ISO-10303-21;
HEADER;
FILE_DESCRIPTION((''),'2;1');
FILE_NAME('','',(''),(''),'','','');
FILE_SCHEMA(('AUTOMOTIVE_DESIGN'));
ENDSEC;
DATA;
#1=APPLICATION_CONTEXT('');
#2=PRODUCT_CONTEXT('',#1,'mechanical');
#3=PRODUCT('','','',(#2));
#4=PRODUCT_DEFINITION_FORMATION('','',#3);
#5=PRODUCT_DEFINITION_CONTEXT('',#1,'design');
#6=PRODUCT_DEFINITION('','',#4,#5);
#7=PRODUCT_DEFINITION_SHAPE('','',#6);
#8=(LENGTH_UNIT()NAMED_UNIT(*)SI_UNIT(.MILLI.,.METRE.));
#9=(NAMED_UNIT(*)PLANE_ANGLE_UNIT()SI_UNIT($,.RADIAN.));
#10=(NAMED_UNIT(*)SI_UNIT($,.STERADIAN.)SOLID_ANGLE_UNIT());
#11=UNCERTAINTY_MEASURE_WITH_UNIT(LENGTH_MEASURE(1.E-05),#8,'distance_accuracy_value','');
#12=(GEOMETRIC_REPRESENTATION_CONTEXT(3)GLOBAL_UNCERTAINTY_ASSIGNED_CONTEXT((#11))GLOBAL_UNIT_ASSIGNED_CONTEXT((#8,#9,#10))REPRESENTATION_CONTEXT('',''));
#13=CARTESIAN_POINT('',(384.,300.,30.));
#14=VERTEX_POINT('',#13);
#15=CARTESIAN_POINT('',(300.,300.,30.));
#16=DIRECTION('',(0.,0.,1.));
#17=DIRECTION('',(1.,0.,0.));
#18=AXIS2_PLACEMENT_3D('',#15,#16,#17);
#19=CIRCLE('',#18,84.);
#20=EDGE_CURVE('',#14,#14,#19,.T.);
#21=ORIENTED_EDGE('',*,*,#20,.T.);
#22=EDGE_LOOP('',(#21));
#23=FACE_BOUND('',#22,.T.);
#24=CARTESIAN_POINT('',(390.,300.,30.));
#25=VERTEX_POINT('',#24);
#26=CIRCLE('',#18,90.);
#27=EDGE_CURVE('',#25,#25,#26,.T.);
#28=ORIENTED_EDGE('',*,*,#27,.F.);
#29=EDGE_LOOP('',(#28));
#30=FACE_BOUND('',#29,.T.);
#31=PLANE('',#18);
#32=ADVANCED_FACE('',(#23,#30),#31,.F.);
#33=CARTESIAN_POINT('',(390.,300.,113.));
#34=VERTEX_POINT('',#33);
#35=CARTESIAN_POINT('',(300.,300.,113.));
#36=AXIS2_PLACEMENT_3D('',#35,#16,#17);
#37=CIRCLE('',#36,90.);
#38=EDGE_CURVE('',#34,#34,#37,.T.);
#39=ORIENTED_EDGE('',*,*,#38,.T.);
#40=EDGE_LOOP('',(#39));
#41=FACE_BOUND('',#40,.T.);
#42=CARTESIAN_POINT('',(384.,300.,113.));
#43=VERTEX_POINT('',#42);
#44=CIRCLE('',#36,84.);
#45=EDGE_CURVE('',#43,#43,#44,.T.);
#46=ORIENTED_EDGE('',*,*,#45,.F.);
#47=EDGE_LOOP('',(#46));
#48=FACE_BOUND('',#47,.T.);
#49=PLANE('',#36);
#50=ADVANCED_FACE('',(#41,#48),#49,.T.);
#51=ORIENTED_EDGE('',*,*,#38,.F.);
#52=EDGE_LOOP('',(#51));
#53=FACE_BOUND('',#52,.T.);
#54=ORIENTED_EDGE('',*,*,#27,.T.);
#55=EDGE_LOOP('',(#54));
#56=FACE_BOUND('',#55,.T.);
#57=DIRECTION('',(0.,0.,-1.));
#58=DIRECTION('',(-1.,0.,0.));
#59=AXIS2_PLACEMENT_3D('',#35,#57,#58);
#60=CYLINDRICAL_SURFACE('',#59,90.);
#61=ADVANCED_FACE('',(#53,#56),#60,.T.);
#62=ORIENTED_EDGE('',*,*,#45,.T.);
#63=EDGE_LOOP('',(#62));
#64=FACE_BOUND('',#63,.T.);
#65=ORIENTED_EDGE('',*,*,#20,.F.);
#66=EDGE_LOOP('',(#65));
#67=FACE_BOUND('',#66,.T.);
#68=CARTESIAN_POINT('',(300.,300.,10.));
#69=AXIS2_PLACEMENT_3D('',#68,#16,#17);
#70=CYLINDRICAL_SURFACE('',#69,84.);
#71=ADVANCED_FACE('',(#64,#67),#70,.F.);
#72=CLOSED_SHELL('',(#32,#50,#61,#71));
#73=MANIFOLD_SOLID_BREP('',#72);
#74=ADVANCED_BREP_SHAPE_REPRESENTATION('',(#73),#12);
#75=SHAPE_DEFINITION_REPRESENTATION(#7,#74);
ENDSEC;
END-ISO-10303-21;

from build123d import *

# Parameters (mm, degrees)
SKETCH1_R           = 90
BOSS_EXTRUDE1_DEPTH = 83
SKETCH2_R           = 84
CUT_EXTRUDE1_DEPTH  = 103


with BuildPart() as part:
    # Sketch1 → Boss-Extrude1 (new body)
    with BuildSketch(Plane.XY.offset(30)):
        with Locations((300, 300)):
            Circle(SKETCH1_R)
    extrude(amount=BOSS_EXTRUDE1_DEPTH)

    # Sketch2 → Cut-Extrude1 (cut)
    with BuildSketch(Plane.XY.offset(113)):
        with Locations((300, 300)):
            Circle(SKETCH2_R)
    extrude(amount=-CUT_EXTRUDE1_DEPTH, mode=Mode.SUBTRACT)


solid = part.part
